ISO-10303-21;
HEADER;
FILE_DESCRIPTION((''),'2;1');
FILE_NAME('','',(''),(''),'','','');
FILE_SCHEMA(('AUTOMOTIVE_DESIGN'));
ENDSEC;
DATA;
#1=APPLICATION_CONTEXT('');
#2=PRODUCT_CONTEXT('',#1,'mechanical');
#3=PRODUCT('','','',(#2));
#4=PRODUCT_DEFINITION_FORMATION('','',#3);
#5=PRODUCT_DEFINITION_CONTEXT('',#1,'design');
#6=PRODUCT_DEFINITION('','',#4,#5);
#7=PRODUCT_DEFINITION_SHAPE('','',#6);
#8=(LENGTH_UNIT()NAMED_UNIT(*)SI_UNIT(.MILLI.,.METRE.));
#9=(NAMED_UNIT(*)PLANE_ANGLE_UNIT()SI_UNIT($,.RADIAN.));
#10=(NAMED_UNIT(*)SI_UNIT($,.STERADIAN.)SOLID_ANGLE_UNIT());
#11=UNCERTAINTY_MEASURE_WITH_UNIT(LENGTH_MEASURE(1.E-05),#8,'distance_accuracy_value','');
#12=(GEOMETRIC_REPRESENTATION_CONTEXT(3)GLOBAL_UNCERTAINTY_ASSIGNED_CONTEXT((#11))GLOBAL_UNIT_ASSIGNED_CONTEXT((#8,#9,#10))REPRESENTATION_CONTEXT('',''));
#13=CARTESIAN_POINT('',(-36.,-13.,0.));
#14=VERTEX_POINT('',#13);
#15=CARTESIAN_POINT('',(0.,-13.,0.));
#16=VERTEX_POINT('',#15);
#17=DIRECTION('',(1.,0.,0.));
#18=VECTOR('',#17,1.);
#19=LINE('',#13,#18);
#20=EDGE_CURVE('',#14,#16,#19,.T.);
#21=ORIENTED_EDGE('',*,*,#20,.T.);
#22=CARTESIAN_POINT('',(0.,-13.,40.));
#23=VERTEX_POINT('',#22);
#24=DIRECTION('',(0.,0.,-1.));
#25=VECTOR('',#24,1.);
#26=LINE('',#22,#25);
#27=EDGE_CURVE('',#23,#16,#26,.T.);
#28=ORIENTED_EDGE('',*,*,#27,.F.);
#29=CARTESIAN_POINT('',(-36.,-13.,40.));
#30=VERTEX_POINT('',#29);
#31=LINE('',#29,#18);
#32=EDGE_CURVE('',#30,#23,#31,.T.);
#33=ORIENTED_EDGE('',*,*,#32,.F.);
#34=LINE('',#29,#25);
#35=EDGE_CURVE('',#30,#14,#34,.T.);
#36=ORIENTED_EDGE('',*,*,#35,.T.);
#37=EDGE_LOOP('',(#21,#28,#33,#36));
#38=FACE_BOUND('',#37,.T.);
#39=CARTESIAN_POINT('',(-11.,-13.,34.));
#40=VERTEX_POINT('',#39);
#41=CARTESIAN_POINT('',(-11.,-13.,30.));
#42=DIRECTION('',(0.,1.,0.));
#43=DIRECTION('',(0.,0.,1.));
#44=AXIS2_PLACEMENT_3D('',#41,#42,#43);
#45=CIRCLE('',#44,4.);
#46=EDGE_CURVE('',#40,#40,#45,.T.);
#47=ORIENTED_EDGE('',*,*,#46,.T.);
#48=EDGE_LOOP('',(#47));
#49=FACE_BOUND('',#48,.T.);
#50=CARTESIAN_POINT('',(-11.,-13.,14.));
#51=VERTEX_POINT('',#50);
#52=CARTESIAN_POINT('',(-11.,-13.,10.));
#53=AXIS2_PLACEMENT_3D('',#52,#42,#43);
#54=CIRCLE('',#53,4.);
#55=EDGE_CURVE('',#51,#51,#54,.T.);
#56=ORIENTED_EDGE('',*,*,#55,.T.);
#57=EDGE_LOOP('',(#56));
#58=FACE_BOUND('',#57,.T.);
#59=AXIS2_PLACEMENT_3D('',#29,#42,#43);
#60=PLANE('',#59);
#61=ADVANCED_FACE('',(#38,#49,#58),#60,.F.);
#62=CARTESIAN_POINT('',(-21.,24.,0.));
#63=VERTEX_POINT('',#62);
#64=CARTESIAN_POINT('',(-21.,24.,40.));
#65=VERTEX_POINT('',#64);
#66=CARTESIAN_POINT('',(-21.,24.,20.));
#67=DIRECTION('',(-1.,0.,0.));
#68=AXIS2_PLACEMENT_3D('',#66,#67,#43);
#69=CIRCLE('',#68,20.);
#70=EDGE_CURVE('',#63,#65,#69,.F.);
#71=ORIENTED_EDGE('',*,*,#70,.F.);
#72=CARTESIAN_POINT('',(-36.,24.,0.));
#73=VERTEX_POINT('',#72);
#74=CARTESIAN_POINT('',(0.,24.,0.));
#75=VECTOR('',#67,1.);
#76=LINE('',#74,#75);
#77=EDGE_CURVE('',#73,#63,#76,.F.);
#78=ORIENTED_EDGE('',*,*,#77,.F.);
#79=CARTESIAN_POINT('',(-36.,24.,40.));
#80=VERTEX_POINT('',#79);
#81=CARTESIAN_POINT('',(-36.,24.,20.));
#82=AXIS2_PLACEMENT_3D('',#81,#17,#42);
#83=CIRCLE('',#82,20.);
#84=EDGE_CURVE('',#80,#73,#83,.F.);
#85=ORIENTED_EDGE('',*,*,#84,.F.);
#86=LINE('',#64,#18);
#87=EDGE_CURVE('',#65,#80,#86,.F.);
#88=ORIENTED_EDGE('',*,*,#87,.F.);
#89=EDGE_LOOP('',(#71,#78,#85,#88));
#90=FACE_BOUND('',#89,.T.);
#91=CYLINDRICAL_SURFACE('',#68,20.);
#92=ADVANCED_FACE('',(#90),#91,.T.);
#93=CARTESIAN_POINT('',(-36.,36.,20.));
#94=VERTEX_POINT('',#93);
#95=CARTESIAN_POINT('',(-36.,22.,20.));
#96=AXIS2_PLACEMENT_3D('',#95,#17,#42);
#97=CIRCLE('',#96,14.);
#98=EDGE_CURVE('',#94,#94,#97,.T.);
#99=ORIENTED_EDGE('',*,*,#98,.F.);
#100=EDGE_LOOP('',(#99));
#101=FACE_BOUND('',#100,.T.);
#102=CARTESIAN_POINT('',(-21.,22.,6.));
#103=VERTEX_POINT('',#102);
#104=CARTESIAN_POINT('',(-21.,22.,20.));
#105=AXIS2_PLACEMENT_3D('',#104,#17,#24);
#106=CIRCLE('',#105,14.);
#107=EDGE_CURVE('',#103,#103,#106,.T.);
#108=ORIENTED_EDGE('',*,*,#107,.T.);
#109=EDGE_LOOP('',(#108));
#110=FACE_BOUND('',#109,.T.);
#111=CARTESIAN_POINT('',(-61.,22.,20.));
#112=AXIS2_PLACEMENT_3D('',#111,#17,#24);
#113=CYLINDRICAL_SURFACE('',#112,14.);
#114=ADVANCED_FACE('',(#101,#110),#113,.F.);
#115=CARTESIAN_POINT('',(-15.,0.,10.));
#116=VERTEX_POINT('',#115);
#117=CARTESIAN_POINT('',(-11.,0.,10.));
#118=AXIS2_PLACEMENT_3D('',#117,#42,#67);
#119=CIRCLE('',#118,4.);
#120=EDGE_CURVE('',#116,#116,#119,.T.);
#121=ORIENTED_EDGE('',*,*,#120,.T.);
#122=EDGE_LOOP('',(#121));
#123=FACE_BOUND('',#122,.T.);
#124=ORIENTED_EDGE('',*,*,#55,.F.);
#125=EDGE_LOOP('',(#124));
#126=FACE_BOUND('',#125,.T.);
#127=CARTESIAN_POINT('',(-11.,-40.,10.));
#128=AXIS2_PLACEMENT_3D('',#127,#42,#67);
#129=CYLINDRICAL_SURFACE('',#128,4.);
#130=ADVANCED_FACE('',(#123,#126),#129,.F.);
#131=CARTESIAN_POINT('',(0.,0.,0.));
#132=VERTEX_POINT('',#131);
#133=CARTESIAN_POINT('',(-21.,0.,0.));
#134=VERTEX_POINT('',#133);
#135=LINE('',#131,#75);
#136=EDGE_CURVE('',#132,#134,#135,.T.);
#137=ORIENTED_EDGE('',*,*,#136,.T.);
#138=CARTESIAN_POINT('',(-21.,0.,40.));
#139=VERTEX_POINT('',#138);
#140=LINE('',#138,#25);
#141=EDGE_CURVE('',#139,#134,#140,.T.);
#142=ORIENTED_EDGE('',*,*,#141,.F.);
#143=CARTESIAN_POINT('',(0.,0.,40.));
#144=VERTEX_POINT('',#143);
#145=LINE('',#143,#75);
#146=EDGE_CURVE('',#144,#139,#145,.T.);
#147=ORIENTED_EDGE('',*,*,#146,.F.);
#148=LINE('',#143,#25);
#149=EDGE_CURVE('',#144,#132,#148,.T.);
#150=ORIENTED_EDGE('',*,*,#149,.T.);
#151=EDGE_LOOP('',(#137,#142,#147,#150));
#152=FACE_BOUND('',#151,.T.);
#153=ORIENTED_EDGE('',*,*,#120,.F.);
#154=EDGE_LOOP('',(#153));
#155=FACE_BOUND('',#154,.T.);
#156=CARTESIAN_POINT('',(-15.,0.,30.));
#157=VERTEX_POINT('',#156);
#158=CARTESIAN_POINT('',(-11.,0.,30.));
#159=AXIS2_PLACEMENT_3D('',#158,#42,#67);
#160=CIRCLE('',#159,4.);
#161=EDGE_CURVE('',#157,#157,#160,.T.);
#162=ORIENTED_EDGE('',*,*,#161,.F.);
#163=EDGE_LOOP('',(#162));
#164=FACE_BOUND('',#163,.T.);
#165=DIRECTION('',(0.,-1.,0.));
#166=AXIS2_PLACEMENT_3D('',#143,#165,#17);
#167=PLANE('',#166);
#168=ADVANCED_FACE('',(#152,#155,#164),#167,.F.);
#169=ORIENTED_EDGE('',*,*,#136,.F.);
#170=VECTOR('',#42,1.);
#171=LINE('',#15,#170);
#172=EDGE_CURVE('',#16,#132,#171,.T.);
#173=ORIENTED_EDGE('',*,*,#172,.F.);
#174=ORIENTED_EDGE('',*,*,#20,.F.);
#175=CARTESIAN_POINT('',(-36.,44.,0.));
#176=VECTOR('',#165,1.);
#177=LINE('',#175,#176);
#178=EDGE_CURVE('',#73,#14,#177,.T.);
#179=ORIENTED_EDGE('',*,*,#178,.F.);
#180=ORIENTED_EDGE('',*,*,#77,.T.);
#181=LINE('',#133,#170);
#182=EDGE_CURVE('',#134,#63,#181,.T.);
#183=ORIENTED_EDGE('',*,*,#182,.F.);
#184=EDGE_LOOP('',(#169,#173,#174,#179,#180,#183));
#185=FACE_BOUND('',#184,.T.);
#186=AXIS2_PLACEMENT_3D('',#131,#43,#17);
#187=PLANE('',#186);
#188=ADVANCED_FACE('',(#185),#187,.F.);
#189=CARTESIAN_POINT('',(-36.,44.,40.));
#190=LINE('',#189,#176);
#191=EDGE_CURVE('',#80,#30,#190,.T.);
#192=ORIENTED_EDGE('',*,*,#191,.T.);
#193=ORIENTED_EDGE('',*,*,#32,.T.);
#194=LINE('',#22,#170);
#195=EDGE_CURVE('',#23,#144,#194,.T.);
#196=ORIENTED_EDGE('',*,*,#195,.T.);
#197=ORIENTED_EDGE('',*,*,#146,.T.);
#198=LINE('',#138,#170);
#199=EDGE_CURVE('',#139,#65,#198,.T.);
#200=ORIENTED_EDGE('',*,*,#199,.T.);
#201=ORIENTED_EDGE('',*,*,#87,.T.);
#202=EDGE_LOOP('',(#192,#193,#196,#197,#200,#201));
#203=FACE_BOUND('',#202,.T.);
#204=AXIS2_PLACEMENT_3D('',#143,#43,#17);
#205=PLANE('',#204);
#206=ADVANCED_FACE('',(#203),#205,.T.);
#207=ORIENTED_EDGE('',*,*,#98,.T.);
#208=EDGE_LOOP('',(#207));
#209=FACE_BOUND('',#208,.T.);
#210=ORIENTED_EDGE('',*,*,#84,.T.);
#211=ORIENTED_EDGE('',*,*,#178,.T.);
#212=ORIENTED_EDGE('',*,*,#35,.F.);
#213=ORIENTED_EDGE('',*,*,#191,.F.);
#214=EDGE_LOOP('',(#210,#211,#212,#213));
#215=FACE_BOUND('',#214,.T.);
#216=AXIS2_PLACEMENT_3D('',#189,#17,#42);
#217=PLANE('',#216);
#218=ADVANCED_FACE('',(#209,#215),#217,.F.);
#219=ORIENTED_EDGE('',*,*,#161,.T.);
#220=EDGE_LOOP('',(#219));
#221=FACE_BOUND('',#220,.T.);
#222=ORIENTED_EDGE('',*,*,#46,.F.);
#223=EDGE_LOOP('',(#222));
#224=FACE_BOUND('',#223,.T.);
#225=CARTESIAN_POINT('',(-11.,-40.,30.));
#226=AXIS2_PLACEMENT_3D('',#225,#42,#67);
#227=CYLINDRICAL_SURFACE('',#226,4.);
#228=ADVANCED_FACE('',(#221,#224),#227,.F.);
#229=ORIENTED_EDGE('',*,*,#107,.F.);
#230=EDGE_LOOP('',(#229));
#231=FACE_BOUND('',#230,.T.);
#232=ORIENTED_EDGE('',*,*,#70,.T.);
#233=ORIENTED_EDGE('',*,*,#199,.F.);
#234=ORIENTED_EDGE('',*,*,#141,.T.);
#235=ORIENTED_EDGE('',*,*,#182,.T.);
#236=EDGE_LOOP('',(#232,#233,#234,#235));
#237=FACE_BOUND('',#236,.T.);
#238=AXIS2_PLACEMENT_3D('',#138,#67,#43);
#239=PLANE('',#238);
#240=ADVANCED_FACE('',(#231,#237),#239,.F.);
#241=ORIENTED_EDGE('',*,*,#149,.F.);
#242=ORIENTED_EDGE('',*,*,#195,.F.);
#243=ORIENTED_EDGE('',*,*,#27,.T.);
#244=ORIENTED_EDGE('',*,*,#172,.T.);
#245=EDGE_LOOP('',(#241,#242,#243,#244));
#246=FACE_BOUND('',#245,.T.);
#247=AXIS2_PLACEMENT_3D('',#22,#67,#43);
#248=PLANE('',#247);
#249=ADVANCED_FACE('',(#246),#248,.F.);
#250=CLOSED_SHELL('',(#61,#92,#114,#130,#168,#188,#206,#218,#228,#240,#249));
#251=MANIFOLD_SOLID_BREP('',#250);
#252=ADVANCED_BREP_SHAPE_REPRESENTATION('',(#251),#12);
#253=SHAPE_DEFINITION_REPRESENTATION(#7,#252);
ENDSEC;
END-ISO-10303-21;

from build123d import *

# Parameters (mm, degrees)
BOSS_EXTRUDE5_DEPTH = 40
FILLET4_RADIUS      = 20
FILLET4_LENGTH      = 15
SKETCH8_R           = 14
CUT_EXTRUDE1_DEPTH  = 40
SKETCH9_R           = 4
CUT_EXTRUDE2_DEPTH  = 40


with BuildPart() as part:
    # Sketch1 → Boss-Extrude5 (new body)
    with BuildSketch(Plane.XY):
        Polygon((-36, 44), (-36, -13), (0, -13), (0, 0), (-21, 0), (-21, 44), align=None)
    extrude(amount=BOSS_EXTRUDE5_DEPTH)

    # Fillet4: full round fillet: the end face becomes a half cylinder, R = half its width
    fillet4_face = Plane((-28.5, 44, 20), x_dir=(1, 0, 0), z_dir=(0, 1, 0))  # on the end face: x along it, z out of the body
    fillet4_slab = fillet4_face.offset(-FILLET4_RADIUS / 2) * Box(FILLET4_LENGTH, 2 * FILLET4_RADIUS, FILLET4_RADIUS, mode=Mode.PRIVATE)  # the body's end, R deep
    fillet4_round = Plane((-28.5, 24, 20), x_dir=(0, 1, 0), z_dir=(1, 0, 0)) * Cylinder(FILLET4_RADIUS, FILLET4_LENGTH, mode=Mode.PRIVATE)  # its axis R under the face
    add(fillet4_slab - fillet4_round, mode=Mode.SUBTRACT)

    # Sketch8 → Cut-Extrude1 (cut)
    with BuildSketch(Plane(origin=(-21, 0, 0), x_dir=(0, 0, -1), z_dir=(1, 0, 0))):
        with Locations((-20, 22)):
            Circle(SKETCH8_R)
    extrude(amount=-CUT_EXTRUDE1_DEPTH, mode=Mode.SUBTRACT)

    # Sketch9 → Cut-Extrude2 (cut)
    with BuildSketch(Plane(origin=(0, 0, 0), x_dir=(1, 0, 0), z_dir=(0, 1, 0))):
        with Locations(Location((-11, -10, 0), (0, 0, 180))):
            Circle(SKETCH9_R)
        with Locations(Location((-11, -30, 0), (0, 0, 180))):
            Circle(SKETCH9_R)
    extrude(amount=-CUT_EXTRUDE2_DEPTH, mode=Mode.SUBTRACT)


solid = part.part
